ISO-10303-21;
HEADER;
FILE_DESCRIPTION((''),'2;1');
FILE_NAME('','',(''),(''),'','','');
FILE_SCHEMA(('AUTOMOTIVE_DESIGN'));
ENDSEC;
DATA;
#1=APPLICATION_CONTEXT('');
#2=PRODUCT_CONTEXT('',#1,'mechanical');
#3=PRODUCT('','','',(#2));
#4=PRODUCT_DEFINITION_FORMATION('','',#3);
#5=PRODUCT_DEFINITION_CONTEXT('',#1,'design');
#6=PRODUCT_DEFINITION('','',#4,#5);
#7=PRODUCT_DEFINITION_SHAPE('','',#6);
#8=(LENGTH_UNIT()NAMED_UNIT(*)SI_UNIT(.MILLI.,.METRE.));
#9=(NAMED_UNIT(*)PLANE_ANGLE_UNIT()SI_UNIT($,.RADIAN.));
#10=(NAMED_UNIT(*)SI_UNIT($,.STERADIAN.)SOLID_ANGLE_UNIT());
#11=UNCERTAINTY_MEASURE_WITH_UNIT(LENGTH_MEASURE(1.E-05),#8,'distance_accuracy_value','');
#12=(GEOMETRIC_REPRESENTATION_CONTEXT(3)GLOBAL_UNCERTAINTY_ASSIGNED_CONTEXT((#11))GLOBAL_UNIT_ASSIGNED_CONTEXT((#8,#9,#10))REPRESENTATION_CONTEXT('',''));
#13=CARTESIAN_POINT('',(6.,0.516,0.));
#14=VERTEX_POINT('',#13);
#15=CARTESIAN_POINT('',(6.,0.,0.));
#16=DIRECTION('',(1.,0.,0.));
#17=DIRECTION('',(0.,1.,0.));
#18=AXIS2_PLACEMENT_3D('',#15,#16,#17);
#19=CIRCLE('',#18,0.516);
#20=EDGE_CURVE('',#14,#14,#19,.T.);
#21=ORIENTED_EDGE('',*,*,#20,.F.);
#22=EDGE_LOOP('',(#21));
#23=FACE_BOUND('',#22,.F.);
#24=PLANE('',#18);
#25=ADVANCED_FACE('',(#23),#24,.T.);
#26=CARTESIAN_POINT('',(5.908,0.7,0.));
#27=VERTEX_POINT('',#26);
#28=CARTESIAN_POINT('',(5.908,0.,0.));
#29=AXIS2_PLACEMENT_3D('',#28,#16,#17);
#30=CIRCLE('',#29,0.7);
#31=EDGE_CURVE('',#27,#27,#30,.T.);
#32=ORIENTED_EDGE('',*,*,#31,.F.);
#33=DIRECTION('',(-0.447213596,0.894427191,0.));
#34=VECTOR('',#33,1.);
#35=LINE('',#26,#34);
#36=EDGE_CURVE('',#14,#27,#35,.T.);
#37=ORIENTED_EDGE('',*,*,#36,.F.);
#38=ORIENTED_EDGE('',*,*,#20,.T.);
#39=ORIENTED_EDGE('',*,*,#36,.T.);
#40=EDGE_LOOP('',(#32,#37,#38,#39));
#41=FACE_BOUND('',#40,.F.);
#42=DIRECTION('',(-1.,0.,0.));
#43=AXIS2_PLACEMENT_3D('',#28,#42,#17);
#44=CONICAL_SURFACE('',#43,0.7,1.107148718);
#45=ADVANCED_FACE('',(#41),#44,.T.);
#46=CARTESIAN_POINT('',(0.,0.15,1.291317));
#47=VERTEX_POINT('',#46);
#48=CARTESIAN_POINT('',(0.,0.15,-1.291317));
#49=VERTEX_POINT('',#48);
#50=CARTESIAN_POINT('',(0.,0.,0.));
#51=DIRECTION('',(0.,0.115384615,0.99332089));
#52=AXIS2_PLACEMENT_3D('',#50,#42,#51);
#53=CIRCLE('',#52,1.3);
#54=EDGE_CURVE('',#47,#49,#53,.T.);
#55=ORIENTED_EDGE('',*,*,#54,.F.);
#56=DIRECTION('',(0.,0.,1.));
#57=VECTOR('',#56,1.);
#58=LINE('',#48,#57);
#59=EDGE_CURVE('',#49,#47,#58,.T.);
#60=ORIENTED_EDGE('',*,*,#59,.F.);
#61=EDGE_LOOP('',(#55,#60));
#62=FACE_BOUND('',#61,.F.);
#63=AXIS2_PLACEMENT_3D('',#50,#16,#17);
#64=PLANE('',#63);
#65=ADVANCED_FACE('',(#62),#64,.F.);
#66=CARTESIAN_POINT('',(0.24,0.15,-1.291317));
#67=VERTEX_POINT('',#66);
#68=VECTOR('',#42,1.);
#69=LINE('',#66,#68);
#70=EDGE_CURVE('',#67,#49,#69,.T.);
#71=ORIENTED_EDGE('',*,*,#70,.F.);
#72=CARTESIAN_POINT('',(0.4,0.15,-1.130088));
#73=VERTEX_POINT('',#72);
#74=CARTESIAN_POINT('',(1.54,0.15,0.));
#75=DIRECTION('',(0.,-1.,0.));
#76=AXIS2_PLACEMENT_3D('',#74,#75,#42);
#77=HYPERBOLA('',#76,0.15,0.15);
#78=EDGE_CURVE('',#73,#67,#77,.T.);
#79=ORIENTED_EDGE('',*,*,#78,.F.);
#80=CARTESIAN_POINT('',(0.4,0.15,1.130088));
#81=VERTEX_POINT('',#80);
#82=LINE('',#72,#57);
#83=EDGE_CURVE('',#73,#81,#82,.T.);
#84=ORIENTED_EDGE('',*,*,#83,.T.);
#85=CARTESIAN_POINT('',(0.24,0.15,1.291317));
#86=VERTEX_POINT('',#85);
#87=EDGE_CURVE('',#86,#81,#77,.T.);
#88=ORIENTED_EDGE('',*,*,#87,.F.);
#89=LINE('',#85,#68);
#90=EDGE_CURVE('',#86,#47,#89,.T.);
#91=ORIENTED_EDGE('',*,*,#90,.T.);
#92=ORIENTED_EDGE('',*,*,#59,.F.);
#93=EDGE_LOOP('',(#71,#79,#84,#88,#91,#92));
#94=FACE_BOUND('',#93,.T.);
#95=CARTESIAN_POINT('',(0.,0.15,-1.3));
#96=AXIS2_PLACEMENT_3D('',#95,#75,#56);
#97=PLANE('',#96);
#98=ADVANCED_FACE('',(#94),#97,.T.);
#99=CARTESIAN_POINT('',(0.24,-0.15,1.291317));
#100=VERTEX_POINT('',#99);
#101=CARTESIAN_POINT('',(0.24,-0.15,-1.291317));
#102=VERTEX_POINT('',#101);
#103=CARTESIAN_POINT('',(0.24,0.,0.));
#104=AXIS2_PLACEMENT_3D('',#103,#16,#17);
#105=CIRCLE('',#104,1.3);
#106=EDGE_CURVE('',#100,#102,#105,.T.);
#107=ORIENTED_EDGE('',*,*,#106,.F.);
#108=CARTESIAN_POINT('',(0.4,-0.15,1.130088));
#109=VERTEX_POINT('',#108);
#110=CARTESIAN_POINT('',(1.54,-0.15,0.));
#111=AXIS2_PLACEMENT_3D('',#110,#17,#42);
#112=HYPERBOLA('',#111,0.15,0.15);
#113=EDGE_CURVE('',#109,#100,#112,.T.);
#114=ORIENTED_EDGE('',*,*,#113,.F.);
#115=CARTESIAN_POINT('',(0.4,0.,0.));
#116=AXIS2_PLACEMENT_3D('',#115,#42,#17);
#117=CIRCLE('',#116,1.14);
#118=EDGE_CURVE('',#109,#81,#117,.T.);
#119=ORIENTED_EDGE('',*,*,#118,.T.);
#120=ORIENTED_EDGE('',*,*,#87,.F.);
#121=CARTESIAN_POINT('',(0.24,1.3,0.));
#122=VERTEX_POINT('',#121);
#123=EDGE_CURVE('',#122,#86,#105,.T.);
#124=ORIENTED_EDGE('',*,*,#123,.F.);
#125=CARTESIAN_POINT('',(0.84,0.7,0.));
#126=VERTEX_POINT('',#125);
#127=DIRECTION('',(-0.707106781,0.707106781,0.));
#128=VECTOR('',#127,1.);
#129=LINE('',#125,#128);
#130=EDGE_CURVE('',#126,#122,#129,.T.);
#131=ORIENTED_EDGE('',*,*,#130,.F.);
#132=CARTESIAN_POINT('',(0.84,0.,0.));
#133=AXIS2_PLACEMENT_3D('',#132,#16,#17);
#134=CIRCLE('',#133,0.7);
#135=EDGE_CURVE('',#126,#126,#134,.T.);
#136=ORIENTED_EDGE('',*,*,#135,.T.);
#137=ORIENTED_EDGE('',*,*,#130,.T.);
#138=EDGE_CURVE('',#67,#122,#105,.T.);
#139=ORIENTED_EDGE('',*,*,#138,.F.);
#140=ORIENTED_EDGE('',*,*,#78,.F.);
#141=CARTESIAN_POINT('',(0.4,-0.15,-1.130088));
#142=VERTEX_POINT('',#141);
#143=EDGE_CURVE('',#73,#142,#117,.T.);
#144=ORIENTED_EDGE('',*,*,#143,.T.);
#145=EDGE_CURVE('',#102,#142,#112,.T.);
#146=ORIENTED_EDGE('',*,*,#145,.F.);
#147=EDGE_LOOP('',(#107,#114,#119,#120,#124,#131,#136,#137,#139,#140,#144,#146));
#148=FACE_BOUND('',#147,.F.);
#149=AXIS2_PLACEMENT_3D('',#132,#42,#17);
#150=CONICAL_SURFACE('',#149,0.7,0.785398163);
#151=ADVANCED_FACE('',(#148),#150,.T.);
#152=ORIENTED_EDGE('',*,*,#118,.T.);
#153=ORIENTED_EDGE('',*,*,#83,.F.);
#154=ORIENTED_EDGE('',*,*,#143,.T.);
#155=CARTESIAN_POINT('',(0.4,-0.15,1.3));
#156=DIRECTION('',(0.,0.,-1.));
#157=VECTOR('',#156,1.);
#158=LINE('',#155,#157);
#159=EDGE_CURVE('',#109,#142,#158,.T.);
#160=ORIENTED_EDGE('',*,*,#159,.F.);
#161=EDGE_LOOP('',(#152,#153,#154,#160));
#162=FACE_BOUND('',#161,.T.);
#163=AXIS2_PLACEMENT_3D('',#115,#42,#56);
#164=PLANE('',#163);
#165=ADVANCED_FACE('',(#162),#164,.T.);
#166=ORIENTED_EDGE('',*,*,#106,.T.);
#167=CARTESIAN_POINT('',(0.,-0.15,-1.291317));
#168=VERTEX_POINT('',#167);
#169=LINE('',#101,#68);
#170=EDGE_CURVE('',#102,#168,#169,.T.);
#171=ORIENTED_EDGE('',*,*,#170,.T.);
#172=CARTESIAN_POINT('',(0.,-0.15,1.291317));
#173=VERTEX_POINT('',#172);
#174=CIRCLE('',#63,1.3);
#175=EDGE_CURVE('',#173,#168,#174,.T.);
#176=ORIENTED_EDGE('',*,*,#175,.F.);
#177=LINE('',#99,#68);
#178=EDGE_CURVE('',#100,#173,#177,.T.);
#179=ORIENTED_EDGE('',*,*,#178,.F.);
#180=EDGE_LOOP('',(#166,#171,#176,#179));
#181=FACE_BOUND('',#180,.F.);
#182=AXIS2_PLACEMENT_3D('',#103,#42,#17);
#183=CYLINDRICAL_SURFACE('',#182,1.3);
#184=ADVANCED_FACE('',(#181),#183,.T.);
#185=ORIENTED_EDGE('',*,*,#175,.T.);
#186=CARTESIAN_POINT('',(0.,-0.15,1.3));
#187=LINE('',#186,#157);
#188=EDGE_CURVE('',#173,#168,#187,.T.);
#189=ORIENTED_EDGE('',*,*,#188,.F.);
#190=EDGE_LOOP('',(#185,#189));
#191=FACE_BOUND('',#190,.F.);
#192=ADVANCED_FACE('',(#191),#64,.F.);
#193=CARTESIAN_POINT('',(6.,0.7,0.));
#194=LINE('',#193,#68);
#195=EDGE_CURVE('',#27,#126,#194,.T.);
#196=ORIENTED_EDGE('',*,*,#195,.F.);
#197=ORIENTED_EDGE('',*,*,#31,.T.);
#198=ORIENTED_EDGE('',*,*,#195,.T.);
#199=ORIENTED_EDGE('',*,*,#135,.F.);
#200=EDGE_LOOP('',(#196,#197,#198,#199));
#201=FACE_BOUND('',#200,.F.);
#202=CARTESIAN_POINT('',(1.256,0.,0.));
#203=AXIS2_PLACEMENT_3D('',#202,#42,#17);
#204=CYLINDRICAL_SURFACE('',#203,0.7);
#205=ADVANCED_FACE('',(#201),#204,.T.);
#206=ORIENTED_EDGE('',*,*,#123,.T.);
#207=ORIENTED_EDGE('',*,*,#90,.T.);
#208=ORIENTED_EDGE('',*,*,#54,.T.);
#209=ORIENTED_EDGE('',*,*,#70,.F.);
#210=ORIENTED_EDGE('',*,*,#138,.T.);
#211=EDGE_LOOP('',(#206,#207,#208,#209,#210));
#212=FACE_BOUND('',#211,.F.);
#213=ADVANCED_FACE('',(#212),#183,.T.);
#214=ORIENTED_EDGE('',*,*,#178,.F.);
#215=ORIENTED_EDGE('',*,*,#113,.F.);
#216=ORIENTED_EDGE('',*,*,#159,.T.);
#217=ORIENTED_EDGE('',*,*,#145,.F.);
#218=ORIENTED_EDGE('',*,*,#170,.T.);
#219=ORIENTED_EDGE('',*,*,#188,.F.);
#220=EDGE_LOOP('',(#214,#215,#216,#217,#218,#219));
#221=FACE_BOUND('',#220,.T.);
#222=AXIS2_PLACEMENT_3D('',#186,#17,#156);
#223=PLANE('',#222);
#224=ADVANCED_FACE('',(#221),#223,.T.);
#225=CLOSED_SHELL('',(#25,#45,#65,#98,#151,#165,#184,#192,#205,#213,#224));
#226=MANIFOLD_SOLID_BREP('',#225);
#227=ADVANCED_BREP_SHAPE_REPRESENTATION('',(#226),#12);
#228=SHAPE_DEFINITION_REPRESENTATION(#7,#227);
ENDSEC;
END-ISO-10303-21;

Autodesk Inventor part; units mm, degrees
ref_plane "YZ Plane" through (0, 0, 0) normal (1, 0, 0) x (0, 1, 0)
ref_plane "XZ Plane" through (0, 0, 0) normal (0, 1, 0) x (-1, 0, 0)
sketch "Skizze1" plane through (0, 0, 0) normal (0, 0, 1) x (1, 0, 0)
  line L0 (0, 0) -> (6, 0)
  line L1 (6, 0) -> (6, 0.7)
  line L2 (6, 0.7) -> (1.44, 0.7)
  line L3 (1.44, 0.7) -> (1.256, 0.7)
  line L4 (1.256, 0.7) -> (0.84, 0.7)
  line L5 (0.84, 0.7) -> (0.24, 1.3)
  line L6 (0.24, 1.3) -> (0, 1.3)
  line L7 (0, 1.3) -> (0, 0)
  line L8 (1.44, 0.7) -> (0.84, 0.7) construction
  line L9 (-1.2, 0) -> (7.2, 0) projected
  line L10 (0, 1.56) -> (0, -0.26) projected
  dimension "d0" = 6
  dimension "d1" = 45
  dimension "d2" = 0.184
  dimension "d3" = 4.56
  dimension "d4" = 0.84
  dimension "d5" = 1.4
  dimension "d6" = 1.4
  dimension "d7" = 2.6
revolve "Körper" add sketch "Skizze1" angle 360 about axis through (0, 0, 0) along (1, 0, 0)
sketch "Skizze2" plane through (0, 0, 0) normal (-1, 0, 0) x (0, 0, 1)
  line L0 (1.3, -0.15) -> (-1.3, -0.15)
  line L1 (-1.3, -0.15) -> (-1.3, 0.15)
  line L2 (-1.3, 0.15) -> (1.3, 0.15)
  line L3 (1.3, 0.15) -> (1.3, -0.15)
  line L4 (0, 0.15) -> (0, -0.15) construction
  line L5 (-1.3, 0) -> (1.3, 0) construction
  line L6 (0, 1.3) -> (0, 0) projected
  dimension "d15" = 0.3
  dimension "d16" = 2.6
extrude "Loch" cut sketch "Skizze2" against normal blind 0.4
thread "Gewinde" size "M1.4x0.3" class "6g" standard "ISO Metric profile" length 4.56
chamfer "Fase1" distance 0.184 distance2 0.092 1 edges at (6, -0.7, 0) measured on face at (6, -0.1645, 0.4552)
ref_plane "Work Plane1" through (33.575, 0, 0) normal (0, 0, -1) x (1, 0, 0)
equation "\"d0\" = NLG"
equation "\"d1\" = 0.5 * SEWI"
equation "\"d2\" = GAL"
equation "\"d3\" = GEL"
equation "\"d4\" = KOH"
equation "\"d5\" = BDM"
equation "\"d6\" = GD"
equation "\"d7\" = KOD"
equation "\"d15\" = SBR"
equation "\"d16\" = KOD"
equation "\"d8\" = STI"
equation "\"d10\" = GEL"
equation "\"d12\" = -0.5 * SPD + 0.5 * GD"
equation "\"d13\" = 0.5 * GAL"
equation "\"NLG\" = 6"
equation "\"GAL\" = 0.61345 * PTC"
equation "\"GEL\" = 4.56"
equation "\"KOH\" = 0.84"
equation "\"KOD\" = 2.6"
equation "\"SEWI\" = 90deg"
equation "\"BDM\" = NND"
equation "\"GD\" = NND"
equation "\"SBR\" = 0.3"
equation "\"STI\" = 0.4"
equation "\"SPD\" = NND - 1.2269 * PTC"
equation "\"GUL\" = 0.61345 * PTC"
equation "\"PTC\" = 0.3"
equation "\"EPV\" = 1.54"
equation "\"THREADDIA\" = 1.4"
equation "\"TOA\" = 30deg"
equation "\"NND\" = 1.4"
equation "\"GD1\" = THREADDIA - 1.2269 * PTC"
properties part number "DIN 963 - M1,4 x 6" material "Stahl, weich"
